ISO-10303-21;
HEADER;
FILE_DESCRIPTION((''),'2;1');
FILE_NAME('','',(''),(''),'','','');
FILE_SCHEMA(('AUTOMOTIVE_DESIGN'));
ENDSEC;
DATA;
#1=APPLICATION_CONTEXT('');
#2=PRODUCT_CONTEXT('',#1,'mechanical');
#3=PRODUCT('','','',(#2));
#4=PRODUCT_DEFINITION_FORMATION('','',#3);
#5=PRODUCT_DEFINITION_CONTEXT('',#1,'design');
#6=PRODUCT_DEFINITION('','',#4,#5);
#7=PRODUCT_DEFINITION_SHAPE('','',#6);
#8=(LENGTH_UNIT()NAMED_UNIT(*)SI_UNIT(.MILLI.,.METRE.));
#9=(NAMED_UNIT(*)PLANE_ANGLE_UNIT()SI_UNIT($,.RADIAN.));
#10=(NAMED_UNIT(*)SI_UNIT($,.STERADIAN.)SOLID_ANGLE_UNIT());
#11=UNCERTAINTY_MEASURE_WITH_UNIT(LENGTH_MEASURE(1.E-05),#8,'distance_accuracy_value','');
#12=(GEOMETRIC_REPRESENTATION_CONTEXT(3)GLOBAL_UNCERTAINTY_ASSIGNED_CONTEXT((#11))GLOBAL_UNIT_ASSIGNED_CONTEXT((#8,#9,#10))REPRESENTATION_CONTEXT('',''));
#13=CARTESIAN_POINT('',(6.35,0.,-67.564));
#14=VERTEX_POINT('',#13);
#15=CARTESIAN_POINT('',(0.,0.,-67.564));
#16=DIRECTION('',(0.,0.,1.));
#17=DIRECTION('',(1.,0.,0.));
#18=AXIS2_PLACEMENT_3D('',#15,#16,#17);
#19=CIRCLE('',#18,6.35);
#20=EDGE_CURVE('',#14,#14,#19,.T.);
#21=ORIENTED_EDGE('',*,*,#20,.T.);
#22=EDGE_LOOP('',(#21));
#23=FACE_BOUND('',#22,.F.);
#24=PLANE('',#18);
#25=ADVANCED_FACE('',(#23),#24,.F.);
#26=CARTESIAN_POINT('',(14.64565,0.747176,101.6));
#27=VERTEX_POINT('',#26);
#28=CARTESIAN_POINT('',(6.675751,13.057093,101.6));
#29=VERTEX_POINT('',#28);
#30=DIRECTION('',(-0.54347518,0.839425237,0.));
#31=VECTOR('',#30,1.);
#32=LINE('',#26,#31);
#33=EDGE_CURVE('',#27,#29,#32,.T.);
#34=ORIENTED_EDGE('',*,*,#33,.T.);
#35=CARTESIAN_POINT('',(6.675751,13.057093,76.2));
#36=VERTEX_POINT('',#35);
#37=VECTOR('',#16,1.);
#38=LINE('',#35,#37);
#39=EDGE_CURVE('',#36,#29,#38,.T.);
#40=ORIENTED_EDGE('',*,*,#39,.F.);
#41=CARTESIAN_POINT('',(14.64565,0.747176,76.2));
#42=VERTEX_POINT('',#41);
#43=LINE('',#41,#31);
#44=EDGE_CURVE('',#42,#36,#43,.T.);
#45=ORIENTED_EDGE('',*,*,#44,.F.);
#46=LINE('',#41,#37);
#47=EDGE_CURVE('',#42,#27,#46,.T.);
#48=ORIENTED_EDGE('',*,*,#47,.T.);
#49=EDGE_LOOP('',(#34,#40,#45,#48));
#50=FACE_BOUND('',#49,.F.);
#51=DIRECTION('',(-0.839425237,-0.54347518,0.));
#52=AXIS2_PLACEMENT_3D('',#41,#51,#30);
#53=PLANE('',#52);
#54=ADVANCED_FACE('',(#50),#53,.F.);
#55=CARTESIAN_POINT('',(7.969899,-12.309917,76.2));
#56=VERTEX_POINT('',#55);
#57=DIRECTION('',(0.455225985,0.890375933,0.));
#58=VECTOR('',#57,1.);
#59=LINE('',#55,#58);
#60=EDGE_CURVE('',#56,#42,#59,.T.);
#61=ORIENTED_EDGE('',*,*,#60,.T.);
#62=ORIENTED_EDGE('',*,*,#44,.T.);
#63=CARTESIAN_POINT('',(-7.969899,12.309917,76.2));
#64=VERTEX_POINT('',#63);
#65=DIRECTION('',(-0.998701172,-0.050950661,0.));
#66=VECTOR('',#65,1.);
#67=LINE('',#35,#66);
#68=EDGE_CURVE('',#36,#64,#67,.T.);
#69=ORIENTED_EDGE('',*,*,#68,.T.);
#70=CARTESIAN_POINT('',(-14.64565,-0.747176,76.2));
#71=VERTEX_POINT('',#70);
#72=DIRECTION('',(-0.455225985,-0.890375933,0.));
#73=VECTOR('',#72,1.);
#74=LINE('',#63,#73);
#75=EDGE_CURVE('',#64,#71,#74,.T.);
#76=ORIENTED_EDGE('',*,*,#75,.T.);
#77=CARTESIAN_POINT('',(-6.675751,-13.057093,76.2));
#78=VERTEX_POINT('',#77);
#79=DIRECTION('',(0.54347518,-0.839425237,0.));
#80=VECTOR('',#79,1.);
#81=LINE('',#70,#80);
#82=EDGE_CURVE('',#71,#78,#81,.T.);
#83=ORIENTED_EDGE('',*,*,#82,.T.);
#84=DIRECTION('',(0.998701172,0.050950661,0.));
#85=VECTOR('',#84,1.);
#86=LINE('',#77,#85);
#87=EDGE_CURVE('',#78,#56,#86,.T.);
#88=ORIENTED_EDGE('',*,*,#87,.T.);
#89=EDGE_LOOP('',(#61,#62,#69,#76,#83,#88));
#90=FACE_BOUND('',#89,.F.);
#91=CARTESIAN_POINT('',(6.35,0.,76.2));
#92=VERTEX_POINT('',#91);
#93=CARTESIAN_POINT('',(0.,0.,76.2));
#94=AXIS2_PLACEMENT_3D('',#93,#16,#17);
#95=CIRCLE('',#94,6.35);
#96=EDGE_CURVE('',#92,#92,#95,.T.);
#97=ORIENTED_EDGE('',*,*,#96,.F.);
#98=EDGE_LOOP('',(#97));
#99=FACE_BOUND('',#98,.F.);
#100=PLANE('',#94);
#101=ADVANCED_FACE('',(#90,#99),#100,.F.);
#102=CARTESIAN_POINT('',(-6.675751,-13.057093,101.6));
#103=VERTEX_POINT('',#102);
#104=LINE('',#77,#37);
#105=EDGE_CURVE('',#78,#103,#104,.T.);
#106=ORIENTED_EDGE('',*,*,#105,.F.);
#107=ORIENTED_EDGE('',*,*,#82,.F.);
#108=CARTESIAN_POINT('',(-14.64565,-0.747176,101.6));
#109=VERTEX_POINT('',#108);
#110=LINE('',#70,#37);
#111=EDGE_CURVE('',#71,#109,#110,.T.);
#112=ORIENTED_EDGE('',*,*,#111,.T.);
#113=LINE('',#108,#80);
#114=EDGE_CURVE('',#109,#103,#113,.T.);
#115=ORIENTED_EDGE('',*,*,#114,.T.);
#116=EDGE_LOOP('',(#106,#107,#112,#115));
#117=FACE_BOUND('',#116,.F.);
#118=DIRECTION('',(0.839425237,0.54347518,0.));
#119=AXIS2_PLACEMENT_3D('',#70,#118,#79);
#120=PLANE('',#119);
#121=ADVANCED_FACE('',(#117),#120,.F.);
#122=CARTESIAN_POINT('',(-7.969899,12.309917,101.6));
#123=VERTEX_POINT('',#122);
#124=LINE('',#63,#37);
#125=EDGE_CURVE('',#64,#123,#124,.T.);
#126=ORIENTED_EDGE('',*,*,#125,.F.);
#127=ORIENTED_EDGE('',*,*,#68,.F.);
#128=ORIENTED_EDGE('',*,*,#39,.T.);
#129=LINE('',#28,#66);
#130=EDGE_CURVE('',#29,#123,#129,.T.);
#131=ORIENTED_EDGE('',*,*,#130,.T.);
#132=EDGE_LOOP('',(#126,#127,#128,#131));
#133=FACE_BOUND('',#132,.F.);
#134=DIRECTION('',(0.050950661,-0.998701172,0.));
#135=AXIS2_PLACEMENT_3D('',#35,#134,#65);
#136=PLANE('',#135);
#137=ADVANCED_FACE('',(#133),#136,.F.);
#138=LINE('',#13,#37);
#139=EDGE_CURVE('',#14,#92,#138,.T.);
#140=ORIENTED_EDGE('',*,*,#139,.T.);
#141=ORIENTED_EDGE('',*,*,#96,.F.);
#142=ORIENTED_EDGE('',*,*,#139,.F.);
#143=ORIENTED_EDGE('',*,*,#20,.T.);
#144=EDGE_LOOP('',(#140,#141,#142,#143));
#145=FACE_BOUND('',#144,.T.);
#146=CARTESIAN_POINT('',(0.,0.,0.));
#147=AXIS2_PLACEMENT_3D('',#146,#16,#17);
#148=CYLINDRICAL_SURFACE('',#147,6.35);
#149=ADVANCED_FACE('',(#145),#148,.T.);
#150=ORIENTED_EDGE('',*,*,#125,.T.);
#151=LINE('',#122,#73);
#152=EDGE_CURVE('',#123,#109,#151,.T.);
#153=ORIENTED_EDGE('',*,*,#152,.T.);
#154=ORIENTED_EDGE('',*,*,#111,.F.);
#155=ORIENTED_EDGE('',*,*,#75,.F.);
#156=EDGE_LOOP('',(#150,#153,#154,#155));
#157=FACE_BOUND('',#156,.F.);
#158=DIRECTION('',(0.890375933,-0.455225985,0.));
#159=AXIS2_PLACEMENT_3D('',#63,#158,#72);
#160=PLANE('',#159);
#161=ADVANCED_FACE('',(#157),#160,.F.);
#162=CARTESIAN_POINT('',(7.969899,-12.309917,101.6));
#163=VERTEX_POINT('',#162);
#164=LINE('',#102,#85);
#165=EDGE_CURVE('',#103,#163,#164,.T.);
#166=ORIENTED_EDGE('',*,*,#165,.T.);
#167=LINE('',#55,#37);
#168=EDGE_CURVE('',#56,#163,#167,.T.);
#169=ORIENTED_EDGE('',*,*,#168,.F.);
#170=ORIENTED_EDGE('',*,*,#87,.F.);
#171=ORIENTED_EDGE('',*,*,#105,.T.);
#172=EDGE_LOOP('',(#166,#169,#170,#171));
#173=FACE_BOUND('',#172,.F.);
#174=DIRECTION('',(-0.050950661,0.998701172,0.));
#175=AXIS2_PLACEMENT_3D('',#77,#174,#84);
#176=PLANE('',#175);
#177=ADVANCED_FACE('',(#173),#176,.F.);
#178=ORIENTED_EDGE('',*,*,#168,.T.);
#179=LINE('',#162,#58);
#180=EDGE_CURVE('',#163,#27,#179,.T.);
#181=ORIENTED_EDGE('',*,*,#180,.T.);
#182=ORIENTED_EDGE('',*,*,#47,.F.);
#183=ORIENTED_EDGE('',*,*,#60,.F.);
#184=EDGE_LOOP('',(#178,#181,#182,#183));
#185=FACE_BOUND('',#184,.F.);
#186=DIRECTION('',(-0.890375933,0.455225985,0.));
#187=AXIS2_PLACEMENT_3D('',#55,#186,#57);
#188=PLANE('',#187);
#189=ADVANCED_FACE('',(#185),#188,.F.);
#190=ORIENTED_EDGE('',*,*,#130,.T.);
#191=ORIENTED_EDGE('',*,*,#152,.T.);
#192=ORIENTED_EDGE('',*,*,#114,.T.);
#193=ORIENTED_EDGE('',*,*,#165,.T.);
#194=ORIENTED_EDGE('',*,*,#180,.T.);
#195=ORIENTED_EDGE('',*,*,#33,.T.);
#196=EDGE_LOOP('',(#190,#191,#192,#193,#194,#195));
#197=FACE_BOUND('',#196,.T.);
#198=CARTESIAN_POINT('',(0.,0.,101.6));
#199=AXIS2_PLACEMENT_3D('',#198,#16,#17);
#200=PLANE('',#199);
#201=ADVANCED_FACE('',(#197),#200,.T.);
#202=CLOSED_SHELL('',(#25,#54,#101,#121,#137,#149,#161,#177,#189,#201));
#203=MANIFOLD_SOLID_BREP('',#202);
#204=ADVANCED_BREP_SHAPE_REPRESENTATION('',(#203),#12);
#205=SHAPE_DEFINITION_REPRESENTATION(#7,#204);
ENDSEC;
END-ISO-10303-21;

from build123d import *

# Parameters (mm, degrees)
F0_R     = 6.35
F1_DEPTH = 76.2
F2_DEPTH = 67.564
F4_DEPTH = 25.4


with BuildPart() as f1:
    # F0 (on Top) → F1 (new body)
    with BuildSketch(Plane.XY):
        Circle(F0_R)
    extrude(amount=F1_DEPTH)

    # F0 (on Top) → F2 (join)
    with BuildSketch(Plane.XY):
        Circle(F0_R)
    extrude(amount=-F2_DEPTH)

    # F3 (on face) → F4 (join)
    with BuildSketch(Plane.XY.offset(76.2)):
        Polygon((14.64565, 0.747176), (6.675751, 13.057093), (-7.969899, 12.309917), (-14.64565, -0.747176), (-6.675751, -13.057093), (7.969899, -12.309917), align=None)
    extrude(amount=F4_DEPTH)


solid = f1.part
